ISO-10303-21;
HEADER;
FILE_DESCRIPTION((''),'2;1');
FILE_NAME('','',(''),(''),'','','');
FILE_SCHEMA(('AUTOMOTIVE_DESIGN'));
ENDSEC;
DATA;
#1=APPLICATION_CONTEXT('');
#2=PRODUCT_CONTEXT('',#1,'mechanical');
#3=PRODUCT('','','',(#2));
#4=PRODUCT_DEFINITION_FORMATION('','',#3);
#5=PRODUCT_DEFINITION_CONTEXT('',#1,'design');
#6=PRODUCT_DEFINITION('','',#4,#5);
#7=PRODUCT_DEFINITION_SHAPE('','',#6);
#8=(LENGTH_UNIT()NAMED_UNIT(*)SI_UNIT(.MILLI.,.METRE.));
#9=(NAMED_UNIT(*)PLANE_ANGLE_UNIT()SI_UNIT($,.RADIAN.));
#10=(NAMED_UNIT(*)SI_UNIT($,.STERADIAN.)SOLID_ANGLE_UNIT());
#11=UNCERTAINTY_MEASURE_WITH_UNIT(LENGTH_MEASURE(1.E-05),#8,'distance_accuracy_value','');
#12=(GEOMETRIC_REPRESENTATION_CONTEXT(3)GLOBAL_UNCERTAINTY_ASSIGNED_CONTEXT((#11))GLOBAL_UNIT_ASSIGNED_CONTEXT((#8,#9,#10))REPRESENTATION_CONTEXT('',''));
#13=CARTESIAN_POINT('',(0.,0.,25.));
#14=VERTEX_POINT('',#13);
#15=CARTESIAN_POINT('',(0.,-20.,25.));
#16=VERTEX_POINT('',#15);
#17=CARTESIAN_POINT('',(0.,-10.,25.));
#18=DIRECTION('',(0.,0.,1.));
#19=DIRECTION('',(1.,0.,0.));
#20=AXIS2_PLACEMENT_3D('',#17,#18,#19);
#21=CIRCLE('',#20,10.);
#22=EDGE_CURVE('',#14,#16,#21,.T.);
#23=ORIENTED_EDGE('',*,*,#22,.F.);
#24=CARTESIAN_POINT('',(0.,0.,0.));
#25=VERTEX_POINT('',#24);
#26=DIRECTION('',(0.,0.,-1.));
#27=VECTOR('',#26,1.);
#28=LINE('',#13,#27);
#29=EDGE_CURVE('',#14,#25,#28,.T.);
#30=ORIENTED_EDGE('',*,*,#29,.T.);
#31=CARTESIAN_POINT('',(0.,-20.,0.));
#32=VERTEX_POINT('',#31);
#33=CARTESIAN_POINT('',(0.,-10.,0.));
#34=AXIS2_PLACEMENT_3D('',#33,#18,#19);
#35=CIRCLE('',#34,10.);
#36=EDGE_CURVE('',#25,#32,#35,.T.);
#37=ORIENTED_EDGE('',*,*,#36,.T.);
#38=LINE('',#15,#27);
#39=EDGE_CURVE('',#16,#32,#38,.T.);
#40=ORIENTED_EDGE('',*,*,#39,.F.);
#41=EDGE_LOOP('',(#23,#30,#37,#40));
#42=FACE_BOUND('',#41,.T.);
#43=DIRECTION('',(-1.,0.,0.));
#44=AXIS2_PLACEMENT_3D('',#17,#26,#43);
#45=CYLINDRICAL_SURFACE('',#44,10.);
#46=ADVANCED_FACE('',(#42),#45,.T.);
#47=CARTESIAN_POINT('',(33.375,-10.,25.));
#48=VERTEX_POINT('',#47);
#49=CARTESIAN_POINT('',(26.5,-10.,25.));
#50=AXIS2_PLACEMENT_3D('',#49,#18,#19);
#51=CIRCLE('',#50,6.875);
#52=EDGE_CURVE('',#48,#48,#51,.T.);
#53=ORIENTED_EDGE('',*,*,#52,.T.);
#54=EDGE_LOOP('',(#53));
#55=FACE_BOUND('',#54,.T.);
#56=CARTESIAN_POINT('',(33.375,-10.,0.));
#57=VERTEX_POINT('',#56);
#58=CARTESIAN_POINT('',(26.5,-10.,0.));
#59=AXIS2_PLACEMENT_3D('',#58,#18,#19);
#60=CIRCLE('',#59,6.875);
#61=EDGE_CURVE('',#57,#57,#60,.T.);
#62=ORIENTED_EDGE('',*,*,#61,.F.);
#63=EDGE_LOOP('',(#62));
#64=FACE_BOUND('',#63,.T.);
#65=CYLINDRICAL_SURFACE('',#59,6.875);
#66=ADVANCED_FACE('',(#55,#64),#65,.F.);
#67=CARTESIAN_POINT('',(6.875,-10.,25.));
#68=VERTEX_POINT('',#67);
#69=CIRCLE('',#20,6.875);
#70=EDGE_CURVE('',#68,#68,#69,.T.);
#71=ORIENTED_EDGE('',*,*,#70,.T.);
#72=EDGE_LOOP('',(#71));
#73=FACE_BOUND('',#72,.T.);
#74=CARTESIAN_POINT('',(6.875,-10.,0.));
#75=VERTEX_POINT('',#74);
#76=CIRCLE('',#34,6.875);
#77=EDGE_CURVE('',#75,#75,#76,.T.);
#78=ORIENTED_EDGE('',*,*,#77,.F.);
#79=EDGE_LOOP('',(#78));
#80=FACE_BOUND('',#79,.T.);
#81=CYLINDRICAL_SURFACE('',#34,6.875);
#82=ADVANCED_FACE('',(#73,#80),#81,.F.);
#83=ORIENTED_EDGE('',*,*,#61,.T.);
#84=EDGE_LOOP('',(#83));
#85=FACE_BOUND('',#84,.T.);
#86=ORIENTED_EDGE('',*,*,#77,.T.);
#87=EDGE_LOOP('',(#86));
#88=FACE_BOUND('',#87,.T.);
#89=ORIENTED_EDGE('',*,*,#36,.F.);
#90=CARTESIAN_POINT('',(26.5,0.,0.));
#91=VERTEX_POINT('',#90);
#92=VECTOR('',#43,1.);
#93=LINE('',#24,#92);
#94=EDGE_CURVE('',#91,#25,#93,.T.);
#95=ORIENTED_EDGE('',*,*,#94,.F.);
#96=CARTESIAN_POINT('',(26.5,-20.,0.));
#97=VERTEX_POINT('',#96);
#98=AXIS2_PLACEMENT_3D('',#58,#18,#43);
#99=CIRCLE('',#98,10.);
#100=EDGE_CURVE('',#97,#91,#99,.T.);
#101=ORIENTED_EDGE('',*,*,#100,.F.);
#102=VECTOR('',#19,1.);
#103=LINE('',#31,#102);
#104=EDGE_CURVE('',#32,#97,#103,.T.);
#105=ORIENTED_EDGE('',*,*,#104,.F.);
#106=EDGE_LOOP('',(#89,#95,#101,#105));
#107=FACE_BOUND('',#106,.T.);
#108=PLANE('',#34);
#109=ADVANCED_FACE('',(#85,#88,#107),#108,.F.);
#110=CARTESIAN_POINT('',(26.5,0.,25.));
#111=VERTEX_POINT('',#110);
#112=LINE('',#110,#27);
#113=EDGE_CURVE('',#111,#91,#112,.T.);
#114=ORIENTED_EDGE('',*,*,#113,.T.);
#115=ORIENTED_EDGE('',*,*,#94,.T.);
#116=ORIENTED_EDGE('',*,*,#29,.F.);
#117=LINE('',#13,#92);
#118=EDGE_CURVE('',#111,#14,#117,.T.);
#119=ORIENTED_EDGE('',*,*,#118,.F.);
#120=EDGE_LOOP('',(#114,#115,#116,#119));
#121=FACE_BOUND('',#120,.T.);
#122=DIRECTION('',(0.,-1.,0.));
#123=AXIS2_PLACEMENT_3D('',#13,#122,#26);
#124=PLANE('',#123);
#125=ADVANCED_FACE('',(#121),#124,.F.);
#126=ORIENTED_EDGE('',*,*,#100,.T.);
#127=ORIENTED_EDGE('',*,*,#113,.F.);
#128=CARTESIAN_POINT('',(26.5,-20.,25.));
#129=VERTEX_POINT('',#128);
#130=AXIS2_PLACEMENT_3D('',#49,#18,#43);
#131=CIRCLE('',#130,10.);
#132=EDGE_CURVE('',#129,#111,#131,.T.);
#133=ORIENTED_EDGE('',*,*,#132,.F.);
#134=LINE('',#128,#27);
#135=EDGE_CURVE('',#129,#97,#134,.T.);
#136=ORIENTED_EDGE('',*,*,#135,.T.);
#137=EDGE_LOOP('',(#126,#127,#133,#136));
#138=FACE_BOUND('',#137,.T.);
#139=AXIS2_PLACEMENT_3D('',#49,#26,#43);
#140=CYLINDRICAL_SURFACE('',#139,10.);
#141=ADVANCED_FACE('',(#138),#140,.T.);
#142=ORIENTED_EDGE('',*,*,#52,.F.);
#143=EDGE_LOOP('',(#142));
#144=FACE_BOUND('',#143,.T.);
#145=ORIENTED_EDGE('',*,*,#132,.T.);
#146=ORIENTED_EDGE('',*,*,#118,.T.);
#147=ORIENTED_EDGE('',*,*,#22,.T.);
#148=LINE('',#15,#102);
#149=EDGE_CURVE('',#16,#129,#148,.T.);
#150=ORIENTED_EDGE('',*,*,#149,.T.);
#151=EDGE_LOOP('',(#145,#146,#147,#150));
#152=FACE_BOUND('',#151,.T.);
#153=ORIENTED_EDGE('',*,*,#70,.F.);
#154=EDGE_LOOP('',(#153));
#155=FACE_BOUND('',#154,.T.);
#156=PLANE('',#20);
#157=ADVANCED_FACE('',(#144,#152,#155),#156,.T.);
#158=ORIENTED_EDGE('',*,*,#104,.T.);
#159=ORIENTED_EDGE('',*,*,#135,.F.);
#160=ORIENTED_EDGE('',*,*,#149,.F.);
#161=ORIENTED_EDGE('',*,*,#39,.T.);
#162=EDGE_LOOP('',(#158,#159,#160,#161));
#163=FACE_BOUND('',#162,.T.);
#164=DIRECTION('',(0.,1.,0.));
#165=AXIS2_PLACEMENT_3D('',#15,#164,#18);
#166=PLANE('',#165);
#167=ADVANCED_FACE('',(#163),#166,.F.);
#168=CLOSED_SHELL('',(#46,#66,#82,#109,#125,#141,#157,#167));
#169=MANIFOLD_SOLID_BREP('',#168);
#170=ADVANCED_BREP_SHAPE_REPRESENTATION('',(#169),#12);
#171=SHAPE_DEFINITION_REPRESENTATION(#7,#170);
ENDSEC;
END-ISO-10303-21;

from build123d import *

# Parameters (mm, degrees)
BOSS_EXTRUDE1_DEPTH = 25
SKETCH2_R           = 6.875
CUT_EXTRUDE1_DEPTH  = 49.551519029


with BuildPart() as part:
    # Sketch1 → Boss-Extrude1 (new body)
    with BuildSketch(Plane.XY):
        with BuildLine():
            Line((0, 0), (26.5, 0))
            ThreePointArc((26.5, 0), (36.5, -10), (26.5, -20))
            Line((26.5, -20), (0, -20))
            ThreePointArc((0, -20), (-10, -10), (0, 0))
        make_face()
    extrude(amount=BOSS_EXTRUDE1_DEPTH)

    # Sketch2 → Cut-Extrude1 (cut, through all)
    with BuildSketch(Plane.XY.offset(25)):
        with Locations((0, -10)):
            Circle(SKETCH2_R)
        with Locations((26.5, -10)):
            Circle(SKETCH2_R)
    extrude(amount=-CUT_EXTRUDE1_DEPTH, mode=Mode.SUBTRACT)


solid = part.part
